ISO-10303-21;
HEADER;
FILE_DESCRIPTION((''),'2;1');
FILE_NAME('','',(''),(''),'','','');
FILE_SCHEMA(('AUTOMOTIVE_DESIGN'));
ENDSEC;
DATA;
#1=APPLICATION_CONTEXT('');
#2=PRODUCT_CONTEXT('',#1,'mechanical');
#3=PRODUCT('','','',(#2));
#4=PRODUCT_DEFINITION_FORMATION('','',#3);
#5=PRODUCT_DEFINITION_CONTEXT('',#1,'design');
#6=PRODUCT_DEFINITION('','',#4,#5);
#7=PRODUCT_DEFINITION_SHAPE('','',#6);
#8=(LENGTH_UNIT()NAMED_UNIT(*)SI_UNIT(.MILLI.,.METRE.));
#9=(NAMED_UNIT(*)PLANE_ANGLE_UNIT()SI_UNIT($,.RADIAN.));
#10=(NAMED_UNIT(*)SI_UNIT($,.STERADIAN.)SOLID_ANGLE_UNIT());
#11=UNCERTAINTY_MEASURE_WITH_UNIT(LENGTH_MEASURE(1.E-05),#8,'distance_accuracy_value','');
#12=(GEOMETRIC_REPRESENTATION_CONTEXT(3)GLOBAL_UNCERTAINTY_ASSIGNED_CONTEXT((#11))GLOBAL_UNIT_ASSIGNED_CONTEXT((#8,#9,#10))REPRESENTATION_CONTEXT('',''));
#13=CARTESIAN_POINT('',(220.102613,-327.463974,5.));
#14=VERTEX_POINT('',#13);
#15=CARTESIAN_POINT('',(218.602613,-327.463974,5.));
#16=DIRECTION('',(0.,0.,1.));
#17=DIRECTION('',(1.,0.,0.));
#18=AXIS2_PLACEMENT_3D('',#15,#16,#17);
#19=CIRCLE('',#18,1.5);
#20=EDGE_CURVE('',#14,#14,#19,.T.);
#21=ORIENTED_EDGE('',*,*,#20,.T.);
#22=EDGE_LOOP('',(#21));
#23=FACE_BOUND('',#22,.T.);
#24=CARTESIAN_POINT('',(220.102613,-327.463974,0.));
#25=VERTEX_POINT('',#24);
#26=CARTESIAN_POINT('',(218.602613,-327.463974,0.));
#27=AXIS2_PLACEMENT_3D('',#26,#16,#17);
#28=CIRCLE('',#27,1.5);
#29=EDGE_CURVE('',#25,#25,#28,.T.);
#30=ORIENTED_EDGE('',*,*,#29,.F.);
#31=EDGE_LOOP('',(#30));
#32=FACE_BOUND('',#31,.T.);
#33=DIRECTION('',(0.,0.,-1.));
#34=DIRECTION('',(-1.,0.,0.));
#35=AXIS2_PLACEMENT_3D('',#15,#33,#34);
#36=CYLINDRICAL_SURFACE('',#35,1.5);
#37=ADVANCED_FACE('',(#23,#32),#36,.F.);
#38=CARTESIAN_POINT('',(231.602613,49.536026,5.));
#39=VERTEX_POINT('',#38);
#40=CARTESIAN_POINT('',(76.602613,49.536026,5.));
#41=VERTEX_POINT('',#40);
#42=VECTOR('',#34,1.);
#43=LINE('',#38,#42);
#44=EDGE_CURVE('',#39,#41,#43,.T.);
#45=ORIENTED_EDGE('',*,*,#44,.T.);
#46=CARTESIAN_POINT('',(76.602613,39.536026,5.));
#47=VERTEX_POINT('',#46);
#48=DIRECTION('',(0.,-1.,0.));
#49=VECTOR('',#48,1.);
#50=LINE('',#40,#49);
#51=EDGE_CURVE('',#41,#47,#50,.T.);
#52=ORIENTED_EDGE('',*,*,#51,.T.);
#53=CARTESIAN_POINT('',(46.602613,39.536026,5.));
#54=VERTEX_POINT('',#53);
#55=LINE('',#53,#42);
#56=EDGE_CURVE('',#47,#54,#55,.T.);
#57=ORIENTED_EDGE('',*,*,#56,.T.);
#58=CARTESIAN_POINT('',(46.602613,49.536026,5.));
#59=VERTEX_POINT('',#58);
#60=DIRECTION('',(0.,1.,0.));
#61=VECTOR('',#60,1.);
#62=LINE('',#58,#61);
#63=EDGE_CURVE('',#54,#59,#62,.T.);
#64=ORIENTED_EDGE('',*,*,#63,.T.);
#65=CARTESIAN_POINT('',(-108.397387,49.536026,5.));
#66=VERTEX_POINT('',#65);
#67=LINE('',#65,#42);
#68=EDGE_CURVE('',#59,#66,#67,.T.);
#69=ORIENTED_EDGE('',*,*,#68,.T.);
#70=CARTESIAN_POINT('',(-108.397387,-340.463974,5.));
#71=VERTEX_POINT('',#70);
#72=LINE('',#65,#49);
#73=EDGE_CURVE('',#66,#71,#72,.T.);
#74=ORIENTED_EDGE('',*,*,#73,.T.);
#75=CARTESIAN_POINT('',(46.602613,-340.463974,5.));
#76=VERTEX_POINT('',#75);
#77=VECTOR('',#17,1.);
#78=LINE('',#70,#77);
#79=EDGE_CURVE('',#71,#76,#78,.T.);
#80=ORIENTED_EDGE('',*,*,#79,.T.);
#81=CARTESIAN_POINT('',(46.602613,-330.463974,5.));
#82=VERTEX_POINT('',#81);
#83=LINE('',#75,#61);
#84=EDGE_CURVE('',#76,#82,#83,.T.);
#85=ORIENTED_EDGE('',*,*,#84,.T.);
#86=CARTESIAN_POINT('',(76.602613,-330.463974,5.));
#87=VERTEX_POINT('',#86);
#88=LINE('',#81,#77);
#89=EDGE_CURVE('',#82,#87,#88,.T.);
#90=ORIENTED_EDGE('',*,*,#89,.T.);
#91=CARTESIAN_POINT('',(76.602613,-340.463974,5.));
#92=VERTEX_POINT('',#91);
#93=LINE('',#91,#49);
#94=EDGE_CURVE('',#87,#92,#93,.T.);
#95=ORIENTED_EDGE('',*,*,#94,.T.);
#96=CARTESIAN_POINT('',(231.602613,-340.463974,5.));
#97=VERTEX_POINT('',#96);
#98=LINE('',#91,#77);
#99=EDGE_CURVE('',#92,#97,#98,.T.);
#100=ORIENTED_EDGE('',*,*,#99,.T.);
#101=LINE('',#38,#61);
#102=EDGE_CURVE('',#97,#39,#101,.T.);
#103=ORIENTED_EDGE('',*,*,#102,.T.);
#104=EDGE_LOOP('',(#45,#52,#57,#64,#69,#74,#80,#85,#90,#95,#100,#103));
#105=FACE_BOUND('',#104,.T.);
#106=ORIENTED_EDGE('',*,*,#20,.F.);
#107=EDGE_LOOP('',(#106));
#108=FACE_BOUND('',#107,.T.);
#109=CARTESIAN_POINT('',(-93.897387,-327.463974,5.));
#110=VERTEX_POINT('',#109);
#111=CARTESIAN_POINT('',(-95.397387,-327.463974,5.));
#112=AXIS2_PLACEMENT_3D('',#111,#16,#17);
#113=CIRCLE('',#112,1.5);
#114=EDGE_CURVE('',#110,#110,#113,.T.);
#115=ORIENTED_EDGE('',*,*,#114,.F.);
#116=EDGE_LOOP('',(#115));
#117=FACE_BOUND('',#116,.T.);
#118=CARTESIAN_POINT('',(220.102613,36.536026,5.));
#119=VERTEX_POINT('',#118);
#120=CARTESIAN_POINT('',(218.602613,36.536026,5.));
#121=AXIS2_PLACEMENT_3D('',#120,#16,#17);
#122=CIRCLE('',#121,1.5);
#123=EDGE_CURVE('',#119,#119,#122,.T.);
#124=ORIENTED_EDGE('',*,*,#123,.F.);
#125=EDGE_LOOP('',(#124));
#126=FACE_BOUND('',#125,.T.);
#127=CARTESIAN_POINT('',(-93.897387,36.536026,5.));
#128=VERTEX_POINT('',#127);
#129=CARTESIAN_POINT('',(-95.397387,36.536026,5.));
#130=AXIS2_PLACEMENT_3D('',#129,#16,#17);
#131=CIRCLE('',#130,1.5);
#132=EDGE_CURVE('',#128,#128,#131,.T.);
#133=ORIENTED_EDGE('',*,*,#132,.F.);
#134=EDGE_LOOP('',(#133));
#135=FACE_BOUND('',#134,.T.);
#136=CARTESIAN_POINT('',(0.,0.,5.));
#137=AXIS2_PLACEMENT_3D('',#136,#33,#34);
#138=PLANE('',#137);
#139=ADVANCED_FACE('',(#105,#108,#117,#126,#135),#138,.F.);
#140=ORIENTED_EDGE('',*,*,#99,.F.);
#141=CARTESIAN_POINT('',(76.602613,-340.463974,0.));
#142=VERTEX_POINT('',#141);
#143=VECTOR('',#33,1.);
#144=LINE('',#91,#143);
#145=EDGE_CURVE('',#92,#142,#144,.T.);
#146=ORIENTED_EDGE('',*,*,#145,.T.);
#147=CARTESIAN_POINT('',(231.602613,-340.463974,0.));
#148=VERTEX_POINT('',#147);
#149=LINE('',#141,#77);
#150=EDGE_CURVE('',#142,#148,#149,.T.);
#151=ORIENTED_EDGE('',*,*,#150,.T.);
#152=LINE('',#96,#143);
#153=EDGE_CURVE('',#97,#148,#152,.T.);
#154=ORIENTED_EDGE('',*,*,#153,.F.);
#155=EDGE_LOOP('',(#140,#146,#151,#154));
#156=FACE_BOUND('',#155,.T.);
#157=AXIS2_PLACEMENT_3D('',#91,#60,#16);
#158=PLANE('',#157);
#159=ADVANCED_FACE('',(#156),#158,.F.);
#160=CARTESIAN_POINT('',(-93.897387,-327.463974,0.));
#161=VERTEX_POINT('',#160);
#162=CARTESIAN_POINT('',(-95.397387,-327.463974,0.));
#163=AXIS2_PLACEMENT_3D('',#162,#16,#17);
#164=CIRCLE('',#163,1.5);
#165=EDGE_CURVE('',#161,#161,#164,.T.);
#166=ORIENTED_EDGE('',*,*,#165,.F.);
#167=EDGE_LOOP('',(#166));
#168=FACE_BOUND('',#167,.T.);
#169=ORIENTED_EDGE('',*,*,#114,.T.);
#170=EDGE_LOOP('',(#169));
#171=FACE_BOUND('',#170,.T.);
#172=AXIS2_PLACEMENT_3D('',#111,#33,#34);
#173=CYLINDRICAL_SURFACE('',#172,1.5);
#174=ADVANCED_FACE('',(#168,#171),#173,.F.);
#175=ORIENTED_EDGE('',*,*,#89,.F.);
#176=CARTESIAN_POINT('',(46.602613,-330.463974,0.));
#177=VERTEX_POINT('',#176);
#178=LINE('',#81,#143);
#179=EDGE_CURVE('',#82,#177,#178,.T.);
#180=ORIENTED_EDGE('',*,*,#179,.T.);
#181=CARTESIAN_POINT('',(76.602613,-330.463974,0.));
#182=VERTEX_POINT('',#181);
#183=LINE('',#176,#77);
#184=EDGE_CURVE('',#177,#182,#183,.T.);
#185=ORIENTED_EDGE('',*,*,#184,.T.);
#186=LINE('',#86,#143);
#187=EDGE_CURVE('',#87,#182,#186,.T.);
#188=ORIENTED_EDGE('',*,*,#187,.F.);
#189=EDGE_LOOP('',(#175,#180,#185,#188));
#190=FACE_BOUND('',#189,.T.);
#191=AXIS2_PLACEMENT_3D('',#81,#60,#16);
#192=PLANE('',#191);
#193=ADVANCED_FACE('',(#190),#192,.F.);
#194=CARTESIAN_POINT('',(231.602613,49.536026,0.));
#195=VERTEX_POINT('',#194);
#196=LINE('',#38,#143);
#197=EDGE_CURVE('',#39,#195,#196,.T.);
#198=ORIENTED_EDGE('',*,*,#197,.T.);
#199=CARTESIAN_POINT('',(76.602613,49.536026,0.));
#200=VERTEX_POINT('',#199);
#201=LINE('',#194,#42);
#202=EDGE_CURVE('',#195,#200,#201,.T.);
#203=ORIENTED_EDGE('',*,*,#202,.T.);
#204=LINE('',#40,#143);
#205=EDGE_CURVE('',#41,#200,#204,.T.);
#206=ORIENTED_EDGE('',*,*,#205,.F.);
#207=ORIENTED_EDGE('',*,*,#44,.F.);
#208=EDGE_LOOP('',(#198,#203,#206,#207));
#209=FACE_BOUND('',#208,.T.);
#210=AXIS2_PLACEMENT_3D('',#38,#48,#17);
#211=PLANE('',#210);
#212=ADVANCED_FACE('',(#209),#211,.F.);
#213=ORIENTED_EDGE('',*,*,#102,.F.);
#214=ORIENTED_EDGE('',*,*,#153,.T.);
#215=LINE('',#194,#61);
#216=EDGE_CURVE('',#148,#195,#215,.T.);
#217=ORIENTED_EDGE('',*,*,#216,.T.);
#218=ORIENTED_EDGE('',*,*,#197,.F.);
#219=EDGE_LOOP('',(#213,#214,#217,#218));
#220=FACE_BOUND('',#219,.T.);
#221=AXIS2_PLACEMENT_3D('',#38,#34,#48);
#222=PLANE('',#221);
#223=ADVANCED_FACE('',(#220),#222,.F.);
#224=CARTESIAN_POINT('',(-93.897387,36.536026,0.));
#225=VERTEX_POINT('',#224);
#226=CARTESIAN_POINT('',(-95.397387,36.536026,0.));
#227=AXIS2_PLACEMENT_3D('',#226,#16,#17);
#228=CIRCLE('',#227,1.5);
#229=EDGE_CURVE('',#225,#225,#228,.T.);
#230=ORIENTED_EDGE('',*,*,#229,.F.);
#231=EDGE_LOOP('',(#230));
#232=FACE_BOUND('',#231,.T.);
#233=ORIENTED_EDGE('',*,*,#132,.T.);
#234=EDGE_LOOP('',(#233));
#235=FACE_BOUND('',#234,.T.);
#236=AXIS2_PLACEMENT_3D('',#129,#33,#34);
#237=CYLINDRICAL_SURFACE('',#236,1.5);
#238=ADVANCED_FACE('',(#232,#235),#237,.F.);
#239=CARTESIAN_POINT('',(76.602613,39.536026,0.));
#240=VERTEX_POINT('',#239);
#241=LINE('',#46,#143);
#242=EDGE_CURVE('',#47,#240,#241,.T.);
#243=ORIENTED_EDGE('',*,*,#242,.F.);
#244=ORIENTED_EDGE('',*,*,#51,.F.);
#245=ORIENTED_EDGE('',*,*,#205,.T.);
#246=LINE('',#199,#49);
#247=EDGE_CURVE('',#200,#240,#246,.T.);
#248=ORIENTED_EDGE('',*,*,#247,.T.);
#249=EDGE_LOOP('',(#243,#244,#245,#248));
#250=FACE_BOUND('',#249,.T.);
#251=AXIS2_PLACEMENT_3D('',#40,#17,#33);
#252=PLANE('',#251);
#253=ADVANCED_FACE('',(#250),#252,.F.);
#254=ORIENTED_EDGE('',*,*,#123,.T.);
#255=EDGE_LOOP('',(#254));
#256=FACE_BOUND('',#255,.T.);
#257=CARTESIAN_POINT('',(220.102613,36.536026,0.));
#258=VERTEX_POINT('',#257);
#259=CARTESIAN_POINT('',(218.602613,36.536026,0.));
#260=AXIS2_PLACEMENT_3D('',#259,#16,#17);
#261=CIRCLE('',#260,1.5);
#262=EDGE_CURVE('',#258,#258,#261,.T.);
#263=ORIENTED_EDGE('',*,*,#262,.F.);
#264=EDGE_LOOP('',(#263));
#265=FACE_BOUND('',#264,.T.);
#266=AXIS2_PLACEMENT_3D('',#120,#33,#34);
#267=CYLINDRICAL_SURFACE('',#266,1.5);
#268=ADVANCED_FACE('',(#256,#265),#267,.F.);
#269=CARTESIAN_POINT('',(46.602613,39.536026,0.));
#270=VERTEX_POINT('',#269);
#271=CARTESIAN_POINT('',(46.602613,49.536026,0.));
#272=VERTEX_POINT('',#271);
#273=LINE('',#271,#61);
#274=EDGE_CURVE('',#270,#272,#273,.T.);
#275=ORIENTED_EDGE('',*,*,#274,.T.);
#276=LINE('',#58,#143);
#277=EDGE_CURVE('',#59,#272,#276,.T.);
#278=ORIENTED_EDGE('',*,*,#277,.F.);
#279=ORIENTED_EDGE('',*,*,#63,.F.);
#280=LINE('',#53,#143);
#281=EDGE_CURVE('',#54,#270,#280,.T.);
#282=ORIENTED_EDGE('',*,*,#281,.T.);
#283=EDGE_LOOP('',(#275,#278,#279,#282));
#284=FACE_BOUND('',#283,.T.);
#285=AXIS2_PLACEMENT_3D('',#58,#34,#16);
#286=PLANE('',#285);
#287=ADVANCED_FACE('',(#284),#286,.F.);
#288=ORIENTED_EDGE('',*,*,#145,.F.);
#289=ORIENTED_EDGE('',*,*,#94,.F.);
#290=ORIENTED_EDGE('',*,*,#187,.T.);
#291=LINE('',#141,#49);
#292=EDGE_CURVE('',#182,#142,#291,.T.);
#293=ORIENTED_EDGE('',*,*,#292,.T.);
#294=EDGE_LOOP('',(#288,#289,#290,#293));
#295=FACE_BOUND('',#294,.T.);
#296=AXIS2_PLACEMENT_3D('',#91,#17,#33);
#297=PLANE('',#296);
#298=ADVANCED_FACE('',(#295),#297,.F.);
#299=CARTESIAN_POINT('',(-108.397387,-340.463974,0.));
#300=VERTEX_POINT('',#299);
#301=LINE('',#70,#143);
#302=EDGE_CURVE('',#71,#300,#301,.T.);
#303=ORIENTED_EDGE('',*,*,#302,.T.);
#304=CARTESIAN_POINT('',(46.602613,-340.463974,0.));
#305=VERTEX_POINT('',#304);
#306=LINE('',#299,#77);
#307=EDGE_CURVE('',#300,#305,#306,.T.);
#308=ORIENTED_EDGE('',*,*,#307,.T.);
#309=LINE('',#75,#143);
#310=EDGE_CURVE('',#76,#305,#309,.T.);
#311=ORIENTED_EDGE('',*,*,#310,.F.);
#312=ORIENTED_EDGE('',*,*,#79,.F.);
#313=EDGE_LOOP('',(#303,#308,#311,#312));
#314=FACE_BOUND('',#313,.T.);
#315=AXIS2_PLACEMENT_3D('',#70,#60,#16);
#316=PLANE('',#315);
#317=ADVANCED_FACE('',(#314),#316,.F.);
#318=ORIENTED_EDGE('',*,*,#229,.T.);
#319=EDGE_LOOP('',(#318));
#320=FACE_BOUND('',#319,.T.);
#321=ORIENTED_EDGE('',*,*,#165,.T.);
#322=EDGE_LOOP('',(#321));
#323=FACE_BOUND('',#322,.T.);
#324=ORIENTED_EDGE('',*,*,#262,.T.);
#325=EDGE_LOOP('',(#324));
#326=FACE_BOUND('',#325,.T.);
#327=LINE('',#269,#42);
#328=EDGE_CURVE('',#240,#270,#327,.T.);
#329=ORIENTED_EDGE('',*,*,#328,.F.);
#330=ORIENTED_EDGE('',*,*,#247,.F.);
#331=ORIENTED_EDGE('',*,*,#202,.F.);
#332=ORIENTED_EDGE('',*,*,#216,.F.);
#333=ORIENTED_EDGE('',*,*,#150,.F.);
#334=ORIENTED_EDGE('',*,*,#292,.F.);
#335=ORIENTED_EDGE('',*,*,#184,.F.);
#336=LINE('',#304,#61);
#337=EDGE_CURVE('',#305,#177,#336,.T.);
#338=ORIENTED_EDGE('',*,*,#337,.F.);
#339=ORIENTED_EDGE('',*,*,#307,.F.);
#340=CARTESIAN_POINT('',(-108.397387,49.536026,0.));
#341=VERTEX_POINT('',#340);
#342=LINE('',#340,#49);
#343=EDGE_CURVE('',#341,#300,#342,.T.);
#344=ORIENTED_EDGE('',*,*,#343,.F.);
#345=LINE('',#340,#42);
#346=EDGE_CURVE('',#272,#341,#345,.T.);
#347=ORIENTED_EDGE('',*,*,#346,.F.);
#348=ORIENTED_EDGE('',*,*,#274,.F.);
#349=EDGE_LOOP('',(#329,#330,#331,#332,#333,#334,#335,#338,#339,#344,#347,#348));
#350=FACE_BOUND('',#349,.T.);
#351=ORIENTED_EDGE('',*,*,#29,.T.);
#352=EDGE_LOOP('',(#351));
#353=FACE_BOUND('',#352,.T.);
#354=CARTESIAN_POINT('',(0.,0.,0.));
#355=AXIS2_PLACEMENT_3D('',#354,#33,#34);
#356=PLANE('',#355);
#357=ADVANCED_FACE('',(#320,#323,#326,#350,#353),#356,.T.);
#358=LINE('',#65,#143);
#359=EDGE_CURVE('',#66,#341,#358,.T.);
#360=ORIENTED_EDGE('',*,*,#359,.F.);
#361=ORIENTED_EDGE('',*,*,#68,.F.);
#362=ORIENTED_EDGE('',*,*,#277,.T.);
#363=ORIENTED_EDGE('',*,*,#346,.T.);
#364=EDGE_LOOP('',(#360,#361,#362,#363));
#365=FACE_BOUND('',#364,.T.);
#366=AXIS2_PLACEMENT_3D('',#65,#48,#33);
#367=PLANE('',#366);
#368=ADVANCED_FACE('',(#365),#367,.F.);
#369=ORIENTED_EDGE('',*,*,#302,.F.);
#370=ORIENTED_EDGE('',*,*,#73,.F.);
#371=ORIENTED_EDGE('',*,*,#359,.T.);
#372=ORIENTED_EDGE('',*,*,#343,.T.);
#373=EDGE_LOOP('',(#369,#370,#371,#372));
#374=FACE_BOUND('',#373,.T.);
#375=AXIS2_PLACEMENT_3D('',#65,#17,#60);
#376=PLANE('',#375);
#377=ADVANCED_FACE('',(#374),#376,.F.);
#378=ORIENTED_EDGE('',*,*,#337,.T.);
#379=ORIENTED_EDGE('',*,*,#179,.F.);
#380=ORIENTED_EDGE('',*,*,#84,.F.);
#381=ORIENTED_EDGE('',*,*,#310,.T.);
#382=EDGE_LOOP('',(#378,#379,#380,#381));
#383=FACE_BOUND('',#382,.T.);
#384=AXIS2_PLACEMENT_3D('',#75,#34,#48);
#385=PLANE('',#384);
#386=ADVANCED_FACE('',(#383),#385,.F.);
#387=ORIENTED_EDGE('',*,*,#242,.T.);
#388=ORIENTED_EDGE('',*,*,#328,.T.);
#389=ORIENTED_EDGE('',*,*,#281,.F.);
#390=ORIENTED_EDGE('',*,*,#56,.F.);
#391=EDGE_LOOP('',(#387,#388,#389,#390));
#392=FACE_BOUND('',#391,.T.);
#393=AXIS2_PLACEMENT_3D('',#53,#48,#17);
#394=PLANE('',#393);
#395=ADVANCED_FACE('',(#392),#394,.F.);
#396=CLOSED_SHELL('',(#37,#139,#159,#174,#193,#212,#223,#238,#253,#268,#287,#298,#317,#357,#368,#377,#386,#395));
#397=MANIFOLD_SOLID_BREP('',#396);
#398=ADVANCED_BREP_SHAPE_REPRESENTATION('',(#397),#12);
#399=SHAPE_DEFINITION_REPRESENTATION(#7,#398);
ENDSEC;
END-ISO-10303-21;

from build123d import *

# Parameters (mm, degrees)
CROQUIS1_R              = 1.5
SALIENTE_EXTRUIR1_DEPTH = 5


with BuildPart() as part:
    # Croquis1 → Saliente-Extruir1 (new body)
    with BuildSketch(Plane.XY):
        Polygon((-108.397386715, -340.463974458), (46.602613285, -340.463974458), (46.602613285, -330.463974458), (76.602613285, -330.463974458), (76.602613285, -340.463974458), (231.602613285, -340.463974458), (231.602613285, 49.536025542), (76.602613285, 49.536025542), (76.602613285, 39.536025542), (46.602613285, 39.536025542), (46.602613285, 49.536025542), (-108.397386715, 49.536025542), align=None)
        with Locations((-95.397386715, -327.463974458)):
            Circle(CROQUIS1_R, mode=Mode.SUBTRACT)
        with Locations((218.602613285, -327.463974458)):
            Circle(CROQUIS1_R, mode=Mode.SUBTRACT)
        with Locations((218.602613285, 36.536025542)):
            Circle(CROQUIS1_R, mode=Mode.SUBTRACT)
        with Locations((-95.397386715, 36.536025542)):
            Circle(CROQUIS1_R, mode=Mode.SUBTRACT)
    extrude(amount=SALIENTE_EXTRUIR1_DEPTH)


solid = part.part
